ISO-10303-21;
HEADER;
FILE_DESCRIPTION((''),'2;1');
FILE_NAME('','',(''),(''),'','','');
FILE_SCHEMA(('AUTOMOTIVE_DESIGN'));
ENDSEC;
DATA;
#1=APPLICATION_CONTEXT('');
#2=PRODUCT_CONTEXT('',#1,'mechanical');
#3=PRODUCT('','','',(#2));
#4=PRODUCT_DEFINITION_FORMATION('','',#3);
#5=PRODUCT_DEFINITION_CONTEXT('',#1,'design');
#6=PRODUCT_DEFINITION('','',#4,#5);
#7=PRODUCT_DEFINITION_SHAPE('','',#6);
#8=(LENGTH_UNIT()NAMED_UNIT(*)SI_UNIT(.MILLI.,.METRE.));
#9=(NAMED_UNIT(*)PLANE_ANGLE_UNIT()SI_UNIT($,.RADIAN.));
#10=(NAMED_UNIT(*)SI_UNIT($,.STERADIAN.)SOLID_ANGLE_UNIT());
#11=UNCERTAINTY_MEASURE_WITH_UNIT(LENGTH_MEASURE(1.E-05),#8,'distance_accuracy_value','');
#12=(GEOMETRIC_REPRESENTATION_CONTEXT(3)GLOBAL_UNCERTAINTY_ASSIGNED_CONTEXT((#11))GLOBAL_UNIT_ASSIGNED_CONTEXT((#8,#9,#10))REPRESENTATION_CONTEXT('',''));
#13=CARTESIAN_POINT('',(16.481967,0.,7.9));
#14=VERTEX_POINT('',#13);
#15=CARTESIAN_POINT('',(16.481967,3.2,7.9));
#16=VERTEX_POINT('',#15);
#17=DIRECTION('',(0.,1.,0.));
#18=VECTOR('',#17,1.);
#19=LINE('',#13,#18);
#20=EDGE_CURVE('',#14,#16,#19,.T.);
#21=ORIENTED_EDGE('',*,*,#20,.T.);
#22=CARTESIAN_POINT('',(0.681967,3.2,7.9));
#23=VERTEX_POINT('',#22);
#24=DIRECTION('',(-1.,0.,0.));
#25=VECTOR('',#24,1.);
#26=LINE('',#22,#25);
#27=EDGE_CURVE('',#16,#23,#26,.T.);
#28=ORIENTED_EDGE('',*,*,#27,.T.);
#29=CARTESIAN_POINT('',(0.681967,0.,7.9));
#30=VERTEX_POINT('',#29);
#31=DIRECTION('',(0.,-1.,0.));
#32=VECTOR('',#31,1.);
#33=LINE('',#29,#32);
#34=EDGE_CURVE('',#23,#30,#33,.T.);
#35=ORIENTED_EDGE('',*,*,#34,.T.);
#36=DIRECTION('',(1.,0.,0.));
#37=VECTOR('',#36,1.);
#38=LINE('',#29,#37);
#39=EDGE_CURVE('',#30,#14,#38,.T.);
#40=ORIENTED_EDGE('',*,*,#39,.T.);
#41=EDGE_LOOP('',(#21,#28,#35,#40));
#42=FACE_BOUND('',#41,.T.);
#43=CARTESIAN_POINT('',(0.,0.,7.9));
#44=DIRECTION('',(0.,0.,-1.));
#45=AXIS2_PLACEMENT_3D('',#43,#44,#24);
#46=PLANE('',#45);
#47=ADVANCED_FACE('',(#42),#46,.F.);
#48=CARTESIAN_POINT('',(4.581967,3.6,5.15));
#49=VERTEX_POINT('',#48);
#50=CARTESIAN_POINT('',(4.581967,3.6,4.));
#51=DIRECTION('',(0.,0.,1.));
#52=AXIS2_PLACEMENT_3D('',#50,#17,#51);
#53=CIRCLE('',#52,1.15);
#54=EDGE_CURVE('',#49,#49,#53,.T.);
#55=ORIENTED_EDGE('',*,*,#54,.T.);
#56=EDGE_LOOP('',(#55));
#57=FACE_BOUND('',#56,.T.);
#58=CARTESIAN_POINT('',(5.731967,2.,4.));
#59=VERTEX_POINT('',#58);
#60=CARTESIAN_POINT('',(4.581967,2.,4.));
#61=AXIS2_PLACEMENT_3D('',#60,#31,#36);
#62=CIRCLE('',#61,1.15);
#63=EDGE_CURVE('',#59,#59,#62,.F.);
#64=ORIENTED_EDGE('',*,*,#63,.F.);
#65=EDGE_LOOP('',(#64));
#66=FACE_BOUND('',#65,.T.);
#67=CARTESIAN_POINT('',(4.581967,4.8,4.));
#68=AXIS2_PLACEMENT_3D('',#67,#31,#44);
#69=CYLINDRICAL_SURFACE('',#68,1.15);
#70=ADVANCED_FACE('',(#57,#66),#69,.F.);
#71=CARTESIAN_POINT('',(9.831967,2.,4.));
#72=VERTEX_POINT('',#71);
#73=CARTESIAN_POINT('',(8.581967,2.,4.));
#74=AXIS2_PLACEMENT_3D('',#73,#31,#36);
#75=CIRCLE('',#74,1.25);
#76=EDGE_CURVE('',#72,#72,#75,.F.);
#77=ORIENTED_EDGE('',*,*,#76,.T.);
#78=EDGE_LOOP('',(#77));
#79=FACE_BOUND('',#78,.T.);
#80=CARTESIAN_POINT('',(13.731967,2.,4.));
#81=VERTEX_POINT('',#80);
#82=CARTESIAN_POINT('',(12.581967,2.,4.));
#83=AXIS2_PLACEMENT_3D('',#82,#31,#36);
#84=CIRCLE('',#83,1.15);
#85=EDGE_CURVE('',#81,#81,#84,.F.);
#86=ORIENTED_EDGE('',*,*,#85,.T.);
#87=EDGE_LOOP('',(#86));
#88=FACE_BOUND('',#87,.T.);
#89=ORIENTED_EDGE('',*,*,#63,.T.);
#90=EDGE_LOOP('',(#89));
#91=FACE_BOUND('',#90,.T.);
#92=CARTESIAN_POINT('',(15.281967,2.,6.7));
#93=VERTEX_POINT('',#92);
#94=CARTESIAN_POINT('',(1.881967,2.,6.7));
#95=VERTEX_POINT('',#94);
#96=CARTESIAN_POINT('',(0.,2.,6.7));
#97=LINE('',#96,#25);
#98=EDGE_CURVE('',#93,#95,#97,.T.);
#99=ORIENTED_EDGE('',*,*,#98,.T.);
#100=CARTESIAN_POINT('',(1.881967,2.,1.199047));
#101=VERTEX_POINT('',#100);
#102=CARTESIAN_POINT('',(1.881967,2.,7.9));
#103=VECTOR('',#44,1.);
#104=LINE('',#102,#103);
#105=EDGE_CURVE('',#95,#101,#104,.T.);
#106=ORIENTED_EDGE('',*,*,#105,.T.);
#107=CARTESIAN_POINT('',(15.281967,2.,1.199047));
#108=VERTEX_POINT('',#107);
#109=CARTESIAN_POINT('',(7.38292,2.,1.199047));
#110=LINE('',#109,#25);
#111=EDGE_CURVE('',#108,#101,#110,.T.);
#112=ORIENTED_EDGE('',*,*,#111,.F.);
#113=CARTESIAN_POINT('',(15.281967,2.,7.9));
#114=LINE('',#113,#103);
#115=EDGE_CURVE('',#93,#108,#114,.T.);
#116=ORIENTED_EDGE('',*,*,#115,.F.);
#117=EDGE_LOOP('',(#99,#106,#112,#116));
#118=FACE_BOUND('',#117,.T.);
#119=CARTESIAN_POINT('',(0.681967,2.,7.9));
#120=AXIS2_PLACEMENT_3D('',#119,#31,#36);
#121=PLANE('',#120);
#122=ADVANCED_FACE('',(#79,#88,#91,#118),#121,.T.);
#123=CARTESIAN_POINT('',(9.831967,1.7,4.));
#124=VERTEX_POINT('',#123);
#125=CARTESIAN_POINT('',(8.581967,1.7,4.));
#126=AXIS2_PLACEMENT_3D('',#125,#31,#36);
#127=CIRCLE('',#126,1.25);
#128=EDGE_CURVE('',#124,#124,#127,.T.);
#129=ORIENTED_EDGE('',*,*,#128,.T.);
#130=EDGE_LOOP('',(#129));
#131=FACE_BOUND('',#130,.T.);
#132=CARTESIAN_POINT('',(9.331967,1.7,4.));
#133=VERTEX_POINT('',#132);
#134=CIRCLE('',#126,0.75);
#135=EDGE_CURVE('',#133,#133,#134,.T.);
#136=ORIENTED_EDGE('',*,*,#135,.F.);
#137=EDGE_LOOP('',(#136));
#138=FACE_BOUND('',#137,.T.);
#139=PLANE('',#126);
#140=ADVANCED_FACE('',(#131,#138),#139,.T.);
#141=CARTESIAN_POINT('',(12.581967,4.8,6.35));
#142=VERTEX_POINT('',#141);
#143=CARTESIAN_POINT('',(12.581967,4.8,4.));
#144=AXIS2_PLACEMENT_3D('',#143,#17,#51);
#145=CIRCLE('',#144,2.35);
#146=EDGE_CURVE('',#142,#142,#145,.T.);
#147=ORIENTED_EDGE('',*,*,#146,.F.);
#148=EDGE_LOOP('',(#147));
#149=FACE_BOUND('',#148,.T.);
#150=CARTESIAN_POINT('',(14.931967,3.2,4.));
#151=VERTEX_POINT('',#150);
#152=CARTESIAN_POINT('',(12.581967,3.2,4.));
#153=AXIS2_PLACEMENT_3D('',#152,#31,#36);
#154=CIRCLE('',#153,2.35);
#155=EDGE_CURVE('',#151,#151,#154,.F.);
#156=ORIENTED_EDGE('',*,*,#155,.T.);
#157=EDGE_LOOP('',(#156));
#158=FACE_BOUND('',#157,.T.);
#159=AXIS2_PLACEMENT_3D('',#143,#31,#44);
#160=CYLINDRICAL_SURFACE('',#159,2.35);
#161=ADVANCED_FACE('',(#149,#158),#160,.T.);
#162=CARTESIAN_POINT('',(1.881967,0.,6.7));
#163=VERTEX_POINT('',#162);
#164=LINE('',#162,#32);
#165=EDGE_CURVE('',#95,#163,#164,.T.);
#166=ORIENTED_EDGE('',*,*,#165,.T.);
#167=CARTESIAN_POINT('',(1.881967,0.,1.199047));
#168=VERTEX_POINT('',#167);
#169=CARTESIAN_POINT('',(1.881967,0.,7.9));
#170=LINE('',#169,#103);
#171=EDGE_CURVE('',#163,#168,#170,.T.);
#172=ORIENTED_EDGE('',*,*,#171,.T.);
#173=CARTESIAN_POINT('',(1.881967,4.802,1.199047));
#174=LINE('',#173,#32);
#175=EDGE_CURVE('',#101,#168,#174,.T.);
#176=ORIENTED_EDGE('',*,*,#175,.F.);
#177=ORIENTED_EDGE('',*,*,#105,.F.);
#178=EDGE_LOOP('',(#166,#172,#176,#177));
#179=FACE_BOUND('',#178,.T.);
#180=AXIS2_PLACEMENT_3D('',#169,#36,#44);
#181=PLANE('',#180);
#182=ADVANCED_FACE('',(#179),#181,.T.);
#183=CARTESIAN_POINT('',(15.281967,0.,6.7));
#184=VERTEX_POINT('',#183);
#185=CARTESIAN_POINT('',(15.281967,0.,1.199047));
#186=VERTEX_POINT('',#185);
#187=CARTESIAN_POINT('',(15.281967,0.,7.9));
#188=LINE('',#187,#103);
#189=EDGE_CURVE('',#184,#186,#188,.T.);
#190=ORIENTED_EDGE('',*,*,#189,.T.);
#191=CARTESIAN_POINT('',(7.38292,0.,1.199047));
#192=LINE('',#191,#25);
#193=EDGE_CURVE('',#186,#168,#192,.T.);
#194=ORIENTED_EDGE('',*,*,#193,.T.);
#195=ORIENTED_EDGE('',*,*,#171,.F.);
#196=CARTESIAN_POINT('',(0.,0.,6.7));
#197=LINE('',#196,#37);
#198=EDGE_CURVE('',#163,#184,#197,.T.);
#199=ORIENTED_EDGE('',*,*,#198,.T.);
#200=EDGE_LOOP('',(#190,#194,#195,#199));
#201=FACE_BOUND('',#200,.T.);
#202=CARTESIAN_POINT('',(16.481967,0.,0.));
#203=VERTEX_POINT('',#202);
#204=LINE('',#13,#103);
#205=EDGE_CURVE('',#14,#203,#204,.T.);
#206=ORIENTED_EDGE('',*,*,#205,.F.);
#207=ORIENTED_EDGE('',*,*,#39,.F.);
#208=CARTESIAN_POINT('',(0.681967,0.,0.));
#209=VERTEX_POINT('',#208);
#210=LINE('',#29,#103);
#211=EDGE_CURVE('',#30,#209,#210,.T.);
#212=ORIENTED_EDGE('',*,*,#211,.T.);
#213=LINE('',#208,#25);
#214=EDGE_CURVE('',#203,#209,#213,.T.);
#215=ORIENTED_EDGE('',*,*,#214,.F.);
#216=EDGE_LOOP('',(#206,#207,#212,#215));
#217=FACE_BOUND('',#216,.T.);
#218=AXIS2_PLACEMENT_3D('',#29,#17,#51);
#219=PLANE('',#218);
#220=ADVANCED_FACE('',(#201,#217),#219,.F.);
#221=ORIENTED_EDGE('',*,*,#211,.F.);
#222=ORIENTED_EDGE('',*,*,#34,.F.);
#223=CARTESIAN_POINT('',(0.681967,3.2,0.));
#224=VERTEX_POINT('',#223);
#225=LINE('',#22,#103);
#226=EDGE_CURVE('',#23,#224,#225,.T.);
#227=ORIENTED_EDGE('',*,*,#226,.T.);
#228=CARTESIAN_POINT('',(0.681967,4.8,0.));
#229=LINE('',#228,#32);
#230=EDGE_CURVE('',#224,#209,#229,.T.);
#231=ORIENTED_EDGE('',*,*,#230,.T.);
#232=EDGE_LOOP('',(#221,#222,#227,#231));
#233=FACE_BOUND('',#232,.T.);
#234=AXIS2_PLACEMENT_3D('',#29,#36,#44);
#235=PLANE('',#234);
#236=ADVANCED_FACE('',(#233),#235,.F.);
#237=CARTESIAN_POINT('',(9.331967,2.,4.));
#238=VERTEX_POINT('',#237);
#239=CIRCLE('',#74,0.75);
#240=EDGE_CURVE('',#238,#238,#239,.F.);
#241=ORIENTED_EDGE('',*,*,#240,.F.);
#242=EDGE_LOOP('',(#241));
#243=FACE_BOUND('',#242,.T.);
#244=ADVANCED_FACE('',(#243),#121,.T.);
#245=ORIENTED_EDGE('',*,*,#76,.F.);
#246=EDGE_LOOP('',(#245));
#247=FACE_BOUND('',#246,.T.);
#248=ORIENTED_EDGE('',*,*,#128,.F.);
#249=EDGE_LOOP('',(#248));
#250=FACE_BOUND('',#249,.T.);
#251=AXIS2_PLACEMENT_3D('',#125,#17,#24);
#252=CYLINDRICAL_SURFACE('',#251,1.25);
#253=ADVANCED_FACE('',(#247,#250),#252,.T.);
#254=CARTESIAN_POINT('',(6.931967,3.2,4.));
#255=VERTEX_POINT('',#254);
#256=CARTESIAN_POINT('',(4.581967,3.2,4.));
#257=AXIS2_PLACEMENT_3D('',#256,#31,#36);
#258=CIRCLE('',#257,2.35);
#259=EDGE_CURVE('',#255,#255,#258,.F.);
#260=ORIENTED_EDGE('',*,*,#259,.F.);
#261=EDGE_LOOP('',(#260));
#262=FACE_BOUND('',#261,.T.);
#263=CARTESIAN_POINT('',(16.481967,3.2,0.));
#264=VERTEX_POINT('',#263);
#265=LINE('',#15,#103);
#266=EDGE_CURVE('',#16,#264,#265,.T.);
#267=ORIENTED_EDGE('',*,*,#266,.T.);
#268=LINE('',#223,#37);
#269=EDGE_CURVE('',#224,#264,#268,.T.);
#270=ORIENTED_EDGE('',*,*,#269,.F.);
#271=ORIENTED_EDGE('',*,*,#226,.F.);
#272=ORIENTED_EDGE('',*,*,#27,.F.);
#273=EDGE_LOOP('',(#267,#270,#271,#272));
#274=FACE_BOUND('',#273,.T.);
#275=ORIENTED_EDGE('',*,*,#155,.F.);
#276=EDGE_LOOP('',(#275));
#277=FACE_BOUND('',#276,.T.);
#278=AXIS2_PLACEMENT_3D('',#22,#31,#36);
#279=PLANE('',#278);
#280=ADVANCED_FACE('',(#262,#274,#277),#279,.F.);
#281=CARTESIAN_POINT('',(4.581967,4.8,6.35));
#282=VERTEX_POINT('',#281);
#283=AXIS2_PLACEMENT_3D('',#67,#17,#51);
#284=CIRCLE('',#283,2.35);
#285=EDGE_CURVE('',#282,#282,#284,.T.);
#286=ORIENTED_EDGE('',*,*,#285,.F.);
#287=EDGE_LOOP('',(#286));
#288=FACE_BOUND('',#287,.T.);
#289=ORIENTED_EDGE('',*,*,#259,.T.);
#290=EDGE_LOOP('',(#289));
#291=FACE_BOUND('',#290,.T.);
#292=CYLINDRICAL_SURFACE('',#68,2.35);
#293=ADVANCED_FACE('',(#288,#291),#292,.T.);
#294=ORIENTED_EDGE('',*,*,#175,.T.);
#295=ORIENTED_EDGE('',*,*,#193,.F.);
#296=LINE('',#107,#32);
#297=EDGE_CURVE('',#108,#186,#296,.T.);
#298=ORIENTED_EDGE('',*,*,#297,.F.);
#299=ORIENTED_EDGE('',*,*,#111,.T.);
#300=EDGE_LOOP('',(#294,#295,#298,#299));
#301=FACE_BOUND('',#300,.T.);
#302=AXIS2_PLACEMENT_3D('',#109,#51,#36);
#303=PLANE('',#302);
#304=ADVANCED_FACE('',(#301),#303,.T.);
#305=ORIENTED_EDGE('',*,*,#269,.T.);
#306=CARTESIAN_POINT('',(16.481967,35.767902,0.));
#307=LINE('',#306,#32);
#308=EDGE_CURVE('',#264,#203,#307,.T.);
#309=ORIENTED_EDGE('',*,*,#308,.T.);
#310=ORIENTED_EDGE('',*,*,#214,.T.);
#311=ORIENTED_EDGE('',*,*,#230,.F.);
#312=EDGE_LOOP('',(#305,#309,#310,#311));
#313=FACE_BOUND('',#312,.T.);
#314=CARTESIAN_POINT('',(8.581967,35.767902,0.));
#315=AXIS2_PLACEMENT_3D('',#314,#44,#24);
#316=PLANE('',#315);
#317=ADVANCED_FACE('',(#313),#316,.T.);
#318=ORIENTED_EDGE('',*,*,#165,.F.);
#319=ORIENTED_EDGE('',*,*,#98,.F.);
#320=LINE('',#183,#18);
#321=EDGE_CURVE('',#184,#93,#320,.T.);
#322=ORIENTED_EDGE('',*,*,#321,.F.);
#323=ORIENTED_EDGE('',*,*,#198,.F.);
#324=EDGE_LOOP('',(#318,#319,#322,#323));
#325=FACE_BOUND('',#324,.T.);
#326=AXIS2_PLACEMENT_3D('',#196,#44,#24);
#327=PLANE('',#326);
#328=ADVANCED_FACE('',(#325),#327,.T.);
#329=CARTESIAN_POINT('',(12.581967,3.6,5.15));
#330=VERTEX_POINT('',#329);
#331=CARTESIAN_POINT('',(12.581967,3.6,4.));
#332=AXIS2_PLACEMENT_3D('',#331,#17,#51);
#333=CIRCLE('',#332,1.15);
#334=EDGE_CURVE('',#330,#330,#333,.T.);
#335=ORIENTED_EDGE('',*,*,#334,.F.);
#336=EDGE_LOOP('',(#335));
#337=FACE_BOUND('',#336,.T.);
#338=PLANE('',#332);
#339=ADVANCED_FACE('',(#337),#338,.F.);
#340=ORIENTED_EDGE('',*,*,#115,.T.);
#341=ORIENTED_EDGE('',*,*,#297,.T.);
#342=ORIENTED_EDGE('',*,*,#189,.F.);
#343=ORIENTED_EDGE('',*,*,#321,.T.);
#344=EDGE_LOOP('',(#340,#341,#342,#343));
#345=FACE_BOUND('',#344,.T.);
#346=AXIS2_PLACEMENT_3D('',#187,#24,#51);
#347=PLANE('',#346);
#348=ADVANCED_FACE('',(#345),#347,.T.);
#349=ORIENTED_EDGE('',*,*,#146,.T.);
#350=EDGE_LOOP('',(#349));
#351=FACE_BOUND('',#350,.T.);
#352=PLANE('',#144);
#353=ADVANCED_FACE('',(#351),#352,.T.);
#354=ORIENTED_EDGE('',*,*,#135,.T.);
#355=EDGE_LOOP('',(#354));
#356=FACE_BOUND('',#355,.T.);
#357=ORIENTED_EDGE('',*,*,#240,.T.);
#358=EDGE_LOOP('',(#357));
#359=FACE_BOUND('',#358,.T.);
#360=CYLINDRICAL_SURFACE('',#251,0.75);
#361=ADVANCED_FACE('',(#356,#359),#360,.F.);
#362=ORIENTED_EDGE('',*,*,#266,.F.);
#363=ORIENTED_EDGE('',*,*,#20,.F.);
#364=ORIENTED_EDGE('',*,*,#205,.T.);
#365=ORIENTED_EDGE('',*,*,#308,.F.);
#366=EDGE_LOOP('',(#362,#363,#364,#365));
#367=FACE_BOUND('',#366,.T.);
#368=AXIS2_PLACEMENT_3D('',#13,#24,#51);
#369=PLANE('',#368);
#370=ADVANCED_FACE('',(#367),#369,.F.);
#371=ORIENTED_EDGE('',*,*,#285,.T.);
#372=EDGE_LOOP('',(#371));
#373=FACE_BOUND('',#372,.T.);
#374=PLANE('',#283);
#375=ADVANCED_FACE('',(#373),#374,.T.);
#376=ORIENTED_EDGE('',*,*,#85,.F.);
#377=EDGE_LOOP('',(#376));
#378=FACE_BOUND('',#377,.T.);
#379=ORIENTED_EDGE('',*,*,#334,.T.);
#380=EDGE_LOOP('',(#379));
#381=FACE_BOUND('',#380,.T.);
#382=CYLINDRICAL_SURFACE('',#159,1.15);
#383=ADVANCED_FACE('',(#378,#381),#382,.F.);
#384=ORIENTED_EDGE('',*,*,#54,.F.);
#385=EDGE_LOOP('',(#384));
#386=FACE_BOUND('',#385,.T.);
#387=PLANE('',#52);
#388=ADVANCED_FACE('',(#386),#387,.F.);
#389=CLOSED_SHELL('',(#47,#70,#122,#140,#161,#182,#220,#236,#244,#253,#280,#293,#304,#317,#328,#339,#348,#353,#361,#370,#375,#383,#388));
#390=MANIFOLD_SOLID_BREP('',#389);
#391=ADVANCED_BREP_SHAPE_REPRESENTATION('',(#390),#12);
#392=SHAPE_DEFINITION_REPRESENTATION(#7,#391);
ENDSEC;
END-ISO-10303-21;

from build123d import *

# Parameters (mm, degrees)
MAINBASESKETCH_W        = 15.8
MAINBASESKETCH_H        = 3.2
MAINBASEEXTRUDE_DEPTH   = 7.9
STUDSSKETCH_R           = 2.35
STUDSEXTRUDE_DEPTH      = 1.6
STUDSPATTERN_COUNT      = 2
STUDSPATTERN_PITCH      = 8
STUDSPATTERN_COUNT_DIR2 = 2
STUDSPATTERN_PITCH_DIR2 = 8
MAINBASESHELL_T         = -1.2
LCUTBLUE_DEPTH          = 19.555463972
LCUTBLUE_DEPTH_BACK     = 19.555463972
CUTADDEDTOLCUT_DEPTH    = 2
MADESLIMCUTSKETCH_W     = 7.9
MADESLIMCUTSKETCH_H     = 7.9
MADESLIMCUT_DEPTH       = 19.897228453
MADESLIMFILLEXT_REACH   = 20.897
SKETCH33_W              = 5.500952983
SKETCH33_H              = 1.199047018
SLIMHOLEEXT_START       = -0.2
SLIMHOLESKETCH_R        = 1.25
SLIMHOLESKETCH_R_2      = 0.75
SLIMHOLEEXT_DEPTH       = 0.5


with BuildPart() as part:
    # MainBaseSketch → MainBaseExtrude (new, symmetric)
    with BuildSketch(Plane.XY):
        with Locations((8.581967213, 1.6)):
            Rectangle(MAINBASESKETCH_W, MAINBASESKETCH_H)
    extrude(amount=MAINBASEEXTRUDE_DEPTH, both=True)

    # StudsSketch → StudsExtrude (add)
    with BuildSketch(Plane(origin=(0, 3.2, 0), x_dir=(1, 0, 0), z_dir=(0, 1, 0))):
        with Locations((4.581967213, 4)):
            Circle(STUDSSKETCH_R)
    studsextrude = extrude(amount=STUDSEXTRUDE_DEPTH)

    # StudsPattern: StudsExtrude 2 × 2
    with Locations(*[(j * STUDSPATTERN_PITCH_DIR2, 0, i * STUDSPATTERN_PITCH) for i in range(STUDSPATTERN_COUNT) for j in range(STUDSPATTERN_COUNT_DIR2) if (i, j) != (0, 0)]):
        add(studsextrude)

    # MainBaseShell
    mainbaseshell_openings = [part.faces().sort_by_distance(p)[0] for p in [
        (8.581967213, 0, 0),
    ]]
    offset(amount=MAINBASESHELL_T, openings=mainbaseshell_openings, kind=Kind.INTERSECTION)

    # LCUTBlueSketch → LCutBlue (cut, two sides: drawn at the far end of the back side and taken through both)
    with BuildSketch(Plane(origin=(0, 3.2, 0), x_dir=(1, 0, 0), z_dir=(0, 1, 0)).offset(-LCUTBLUE_DEPTH_BACK)):
        Polygon((8.581967213, 53.229874044), (8.581967213, 7.9), (8.581967213, 0), (16.481967213, 0), (61.811841258, 0), (125.917963912, 64.106122654), (72.688089868, 117.335996699), align=None)
    extrude(amount=LCUTBLUE_DEPTH + LCUTBLUE_DEPTH_BACK, mode=Mode.SUBTRACT)

    # CutAddedtoLSketch → CutAddedToLCut (add)
    with BuildSketch(Plane.XZ):
        Polygon((7.382920196, -6.7), (8.581967213, -6.7), (8.581967213, 0), (15.281967213, 0), (15.281967213, 1.199047018), (7.382920196, 1.199047018), (7.382920196, 0), align=None)
    extrude(amount=-CUTADDEDTOLCUT_DEPTH)

    # MadeSlimCutSketch → MadeSlimCut (cut, through all)
    with BuildSketch(Plane.XZ):
        with Locations((4.631967213, -3.95)):
            Rectangle(MADESLIMCUTSKETCH_W, MADESLIMCUTSKETCH_H)
    extrude(amount=-MADESLIMCUT_DEPTH, mode=Mode.SUBTRACT)

    # Sketch33 → MadeSlimFillExt (add, up to next)
    with BuildSketch(Plane.XZ, mode=Mode.PRIVATE) as madeslimfillext_sk1:
        with Locations((4.632443704, 0.599523509)):
            Rectangle(SKETCH33_W, SKETCH33_H)
    madeslimfillext_tool1 = extrude(madeslimfillext_sk1.sketch, amount=-MADESLIMFILLEXT_REACH, mode=Mode.PRIVATE) - part.part
    add(madeslimfillext_tool1.solids().sort_by_distance((4.632444, 0, 0.599524))[0])

    # SlimHoleSketch → SlimHoleExt (add)
    with BuildSketch(Plane.XZ.offset(-2).offset(SLIMHOLEEXT_START)):
        with Locations((8.581967213, 4)):
            Circle(SLIMHOLESKETCH_R)
        with Locations((8.581967213, 4)):
            Circle(SLIMHOLESKETCH_R_2, mode=Mode.SUBTRACT)
    extrude(amount=SLIMHOLEEXT_DEPTH)


solid = part.part
